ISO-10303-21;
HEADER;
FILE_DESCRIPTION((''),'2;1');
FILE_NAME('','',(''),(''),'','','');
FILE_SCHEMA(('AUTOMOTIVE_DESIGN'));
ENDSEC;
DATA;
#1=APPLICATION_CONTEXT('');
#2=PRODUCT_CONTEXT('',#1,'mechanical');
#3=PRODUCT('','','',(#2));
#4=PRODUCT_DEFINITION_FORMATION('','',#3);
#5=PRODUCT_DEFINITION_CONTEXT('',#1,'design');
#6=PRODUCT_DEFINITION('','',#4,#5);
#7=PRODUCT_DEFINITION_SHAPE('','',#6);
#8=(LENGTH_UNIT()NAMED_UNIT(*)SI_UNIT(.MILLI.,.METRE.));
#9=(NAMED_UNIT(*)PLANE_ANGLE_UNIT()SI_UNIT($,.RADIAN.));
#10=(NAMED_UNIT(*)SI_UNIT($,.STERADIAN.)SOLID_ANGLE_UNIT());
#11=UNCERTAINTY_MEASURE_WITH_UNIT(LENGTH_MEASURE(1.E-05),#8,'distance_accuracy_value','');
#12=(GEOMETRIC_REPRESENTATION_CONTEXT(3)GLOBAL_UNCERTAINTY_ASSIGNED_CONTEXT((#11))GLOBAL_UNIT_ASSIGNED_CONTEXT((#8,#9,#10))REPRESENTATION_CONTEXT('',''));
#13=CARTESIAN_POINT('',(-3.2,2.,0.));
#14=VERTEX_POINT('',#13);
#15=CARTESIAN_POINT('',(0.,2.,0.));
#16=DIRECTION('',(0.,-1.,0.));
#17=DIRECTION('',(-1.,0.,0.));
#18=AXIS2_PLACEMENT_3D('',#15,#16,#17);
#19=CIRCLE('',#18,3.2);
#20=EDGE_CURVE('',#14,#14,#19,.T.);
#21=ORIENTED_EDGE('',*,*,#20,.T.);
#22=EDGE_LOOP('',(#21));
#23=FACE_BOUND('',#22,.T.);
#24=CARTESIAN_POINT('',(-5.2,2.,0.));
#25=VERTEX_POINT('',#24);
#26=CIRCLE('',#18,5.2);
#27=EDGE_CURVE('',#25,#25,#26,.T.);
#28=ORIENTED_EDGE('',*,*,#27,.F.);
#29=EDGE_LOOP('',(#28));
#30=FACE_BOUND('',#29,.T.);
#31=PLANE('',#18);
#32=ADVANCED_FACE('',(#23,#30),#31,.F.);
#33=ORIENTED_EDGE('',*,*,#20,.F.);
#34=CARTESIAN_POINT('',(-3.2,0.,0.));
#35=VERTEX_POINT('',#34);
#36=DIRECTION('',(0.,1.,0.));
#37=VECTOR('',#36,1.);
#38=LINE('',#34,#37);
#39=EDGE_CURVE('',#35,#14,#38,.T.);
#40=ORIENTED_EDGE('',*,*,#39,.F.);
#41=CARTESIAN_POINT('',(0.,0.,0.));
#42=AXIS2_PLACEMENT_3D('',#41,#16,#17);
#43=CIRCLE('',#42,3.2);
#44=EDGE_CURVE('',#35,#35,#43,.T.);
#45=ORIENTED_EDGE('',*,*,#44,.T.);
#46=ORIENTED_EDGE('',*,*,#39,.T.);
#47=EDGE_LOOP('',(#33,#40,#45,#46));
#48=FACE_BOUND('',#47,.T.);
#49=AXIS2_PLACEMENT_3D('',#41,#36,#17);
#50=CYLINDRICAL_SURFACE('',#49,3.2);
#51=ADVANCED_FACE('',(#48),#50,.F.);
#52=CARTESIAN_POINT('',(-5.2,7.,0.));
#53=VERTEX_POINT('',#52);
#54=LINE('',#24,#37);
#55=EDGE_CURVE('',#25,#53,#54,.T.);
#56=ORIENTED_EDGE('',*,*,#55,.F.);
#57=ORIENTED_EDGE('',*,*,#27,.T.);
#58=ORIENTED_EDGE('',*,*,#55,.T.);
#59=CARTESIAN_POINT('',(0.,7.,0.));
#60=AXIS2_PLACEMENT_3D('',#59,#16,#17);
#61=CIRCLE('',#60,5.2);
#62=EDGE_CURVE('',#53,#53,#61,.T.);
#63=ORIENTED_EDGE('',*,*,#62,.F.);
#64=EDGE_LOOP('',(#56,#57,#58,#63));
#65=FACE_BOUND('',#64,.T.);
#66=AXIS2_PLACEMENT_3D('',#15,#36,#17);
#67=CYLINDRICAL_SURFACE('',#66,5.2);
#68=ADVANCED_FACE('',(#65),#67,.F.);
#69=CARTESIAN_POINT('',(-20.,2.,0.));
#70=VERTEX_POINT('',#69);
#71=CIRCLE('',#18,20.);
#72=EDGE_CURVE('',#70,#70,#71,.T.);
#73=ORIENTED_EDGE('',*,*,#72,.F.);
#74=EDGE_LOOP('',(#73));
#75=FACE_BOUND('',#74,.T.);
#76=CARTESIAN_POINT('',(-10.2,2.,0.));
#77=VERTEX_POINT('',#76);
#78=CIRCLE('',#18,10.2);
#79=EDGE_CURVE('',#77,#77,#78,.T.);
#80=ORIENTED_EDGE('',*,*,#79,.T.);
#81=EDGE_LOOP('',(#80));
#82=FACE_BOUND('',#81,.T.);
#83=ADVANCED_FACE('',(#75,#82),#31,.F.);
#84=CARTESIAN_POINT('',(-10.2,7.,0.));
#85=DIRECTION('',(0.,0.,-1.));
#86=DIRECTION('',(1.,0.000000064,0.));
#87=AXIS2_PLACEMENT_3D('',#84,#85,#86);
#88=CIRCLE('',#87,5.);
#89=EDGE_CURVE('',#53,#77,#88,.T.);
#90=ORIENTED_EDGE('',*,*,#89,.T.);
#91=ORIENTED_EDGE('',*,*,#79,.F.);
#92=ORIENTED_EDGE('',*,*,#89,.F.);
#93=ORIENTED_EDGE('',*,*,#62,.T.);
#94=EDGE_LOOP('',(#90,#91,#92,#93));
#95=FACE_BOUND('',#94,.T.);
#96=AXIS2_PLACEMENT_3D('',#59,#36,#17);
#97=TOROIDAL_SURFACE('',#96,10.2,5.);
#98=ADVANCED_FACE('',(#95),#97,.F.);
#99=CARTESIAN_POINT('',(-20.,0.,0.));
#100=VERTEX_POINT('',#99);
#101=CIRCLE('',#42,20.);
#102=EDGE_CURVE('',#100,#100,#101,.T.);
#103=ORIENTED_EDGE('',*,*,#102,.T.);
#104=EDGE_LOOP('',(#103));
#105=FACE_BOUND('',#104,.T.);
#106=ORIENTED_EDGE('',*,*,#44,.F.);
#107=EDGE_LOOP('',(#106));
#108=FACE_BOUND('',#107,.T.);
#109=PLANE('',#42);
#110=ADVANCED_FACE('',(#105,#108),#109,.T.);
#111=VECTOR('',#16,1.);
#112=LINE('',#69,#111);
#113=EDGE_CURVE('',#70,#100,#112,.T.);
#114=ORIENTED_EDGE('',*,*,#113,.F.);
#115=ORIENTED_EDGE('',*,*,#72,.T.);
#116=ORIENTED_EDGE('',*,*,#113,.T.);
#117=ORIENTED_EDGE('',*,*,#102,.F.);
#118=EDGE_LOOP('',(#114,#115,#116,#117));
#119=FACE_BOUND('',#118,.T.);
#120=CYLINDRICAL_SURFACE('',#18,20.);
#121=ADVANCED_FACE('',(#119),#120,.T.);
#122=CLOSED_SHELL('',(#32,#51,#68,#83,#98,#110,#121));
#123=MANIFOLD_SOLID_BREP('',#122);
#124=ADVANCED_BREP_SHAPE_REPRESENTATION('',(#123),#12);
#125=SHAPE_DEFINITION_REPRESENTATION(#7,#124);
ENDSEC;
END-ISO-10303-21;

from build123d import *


with BuildPart() as f1:
    # F0 (on Top) → F1 (revolve)
    with BuildSketch(Plane.XY):
        with BuildLine():
            Line((-3.2, 0), (-3.2, 2))
            Line((-3.2, 2), (-5.2, 2))
            Line((-5.2, 2), (-5.2, 7))
            ThreePointArc((-5.2, 7), (-6.664466, 3.464466), (-10.2, 2))
            Line((-10.2, 2), (-20, 2))
            Line((-20, 2), (-20, 0))
            Line((-20, 0), (-3.2, 0))
        make_face()
    revolve(axis=Axis((0, -2.118619, 0), (0, -1, 0)))


solid = f1.part
